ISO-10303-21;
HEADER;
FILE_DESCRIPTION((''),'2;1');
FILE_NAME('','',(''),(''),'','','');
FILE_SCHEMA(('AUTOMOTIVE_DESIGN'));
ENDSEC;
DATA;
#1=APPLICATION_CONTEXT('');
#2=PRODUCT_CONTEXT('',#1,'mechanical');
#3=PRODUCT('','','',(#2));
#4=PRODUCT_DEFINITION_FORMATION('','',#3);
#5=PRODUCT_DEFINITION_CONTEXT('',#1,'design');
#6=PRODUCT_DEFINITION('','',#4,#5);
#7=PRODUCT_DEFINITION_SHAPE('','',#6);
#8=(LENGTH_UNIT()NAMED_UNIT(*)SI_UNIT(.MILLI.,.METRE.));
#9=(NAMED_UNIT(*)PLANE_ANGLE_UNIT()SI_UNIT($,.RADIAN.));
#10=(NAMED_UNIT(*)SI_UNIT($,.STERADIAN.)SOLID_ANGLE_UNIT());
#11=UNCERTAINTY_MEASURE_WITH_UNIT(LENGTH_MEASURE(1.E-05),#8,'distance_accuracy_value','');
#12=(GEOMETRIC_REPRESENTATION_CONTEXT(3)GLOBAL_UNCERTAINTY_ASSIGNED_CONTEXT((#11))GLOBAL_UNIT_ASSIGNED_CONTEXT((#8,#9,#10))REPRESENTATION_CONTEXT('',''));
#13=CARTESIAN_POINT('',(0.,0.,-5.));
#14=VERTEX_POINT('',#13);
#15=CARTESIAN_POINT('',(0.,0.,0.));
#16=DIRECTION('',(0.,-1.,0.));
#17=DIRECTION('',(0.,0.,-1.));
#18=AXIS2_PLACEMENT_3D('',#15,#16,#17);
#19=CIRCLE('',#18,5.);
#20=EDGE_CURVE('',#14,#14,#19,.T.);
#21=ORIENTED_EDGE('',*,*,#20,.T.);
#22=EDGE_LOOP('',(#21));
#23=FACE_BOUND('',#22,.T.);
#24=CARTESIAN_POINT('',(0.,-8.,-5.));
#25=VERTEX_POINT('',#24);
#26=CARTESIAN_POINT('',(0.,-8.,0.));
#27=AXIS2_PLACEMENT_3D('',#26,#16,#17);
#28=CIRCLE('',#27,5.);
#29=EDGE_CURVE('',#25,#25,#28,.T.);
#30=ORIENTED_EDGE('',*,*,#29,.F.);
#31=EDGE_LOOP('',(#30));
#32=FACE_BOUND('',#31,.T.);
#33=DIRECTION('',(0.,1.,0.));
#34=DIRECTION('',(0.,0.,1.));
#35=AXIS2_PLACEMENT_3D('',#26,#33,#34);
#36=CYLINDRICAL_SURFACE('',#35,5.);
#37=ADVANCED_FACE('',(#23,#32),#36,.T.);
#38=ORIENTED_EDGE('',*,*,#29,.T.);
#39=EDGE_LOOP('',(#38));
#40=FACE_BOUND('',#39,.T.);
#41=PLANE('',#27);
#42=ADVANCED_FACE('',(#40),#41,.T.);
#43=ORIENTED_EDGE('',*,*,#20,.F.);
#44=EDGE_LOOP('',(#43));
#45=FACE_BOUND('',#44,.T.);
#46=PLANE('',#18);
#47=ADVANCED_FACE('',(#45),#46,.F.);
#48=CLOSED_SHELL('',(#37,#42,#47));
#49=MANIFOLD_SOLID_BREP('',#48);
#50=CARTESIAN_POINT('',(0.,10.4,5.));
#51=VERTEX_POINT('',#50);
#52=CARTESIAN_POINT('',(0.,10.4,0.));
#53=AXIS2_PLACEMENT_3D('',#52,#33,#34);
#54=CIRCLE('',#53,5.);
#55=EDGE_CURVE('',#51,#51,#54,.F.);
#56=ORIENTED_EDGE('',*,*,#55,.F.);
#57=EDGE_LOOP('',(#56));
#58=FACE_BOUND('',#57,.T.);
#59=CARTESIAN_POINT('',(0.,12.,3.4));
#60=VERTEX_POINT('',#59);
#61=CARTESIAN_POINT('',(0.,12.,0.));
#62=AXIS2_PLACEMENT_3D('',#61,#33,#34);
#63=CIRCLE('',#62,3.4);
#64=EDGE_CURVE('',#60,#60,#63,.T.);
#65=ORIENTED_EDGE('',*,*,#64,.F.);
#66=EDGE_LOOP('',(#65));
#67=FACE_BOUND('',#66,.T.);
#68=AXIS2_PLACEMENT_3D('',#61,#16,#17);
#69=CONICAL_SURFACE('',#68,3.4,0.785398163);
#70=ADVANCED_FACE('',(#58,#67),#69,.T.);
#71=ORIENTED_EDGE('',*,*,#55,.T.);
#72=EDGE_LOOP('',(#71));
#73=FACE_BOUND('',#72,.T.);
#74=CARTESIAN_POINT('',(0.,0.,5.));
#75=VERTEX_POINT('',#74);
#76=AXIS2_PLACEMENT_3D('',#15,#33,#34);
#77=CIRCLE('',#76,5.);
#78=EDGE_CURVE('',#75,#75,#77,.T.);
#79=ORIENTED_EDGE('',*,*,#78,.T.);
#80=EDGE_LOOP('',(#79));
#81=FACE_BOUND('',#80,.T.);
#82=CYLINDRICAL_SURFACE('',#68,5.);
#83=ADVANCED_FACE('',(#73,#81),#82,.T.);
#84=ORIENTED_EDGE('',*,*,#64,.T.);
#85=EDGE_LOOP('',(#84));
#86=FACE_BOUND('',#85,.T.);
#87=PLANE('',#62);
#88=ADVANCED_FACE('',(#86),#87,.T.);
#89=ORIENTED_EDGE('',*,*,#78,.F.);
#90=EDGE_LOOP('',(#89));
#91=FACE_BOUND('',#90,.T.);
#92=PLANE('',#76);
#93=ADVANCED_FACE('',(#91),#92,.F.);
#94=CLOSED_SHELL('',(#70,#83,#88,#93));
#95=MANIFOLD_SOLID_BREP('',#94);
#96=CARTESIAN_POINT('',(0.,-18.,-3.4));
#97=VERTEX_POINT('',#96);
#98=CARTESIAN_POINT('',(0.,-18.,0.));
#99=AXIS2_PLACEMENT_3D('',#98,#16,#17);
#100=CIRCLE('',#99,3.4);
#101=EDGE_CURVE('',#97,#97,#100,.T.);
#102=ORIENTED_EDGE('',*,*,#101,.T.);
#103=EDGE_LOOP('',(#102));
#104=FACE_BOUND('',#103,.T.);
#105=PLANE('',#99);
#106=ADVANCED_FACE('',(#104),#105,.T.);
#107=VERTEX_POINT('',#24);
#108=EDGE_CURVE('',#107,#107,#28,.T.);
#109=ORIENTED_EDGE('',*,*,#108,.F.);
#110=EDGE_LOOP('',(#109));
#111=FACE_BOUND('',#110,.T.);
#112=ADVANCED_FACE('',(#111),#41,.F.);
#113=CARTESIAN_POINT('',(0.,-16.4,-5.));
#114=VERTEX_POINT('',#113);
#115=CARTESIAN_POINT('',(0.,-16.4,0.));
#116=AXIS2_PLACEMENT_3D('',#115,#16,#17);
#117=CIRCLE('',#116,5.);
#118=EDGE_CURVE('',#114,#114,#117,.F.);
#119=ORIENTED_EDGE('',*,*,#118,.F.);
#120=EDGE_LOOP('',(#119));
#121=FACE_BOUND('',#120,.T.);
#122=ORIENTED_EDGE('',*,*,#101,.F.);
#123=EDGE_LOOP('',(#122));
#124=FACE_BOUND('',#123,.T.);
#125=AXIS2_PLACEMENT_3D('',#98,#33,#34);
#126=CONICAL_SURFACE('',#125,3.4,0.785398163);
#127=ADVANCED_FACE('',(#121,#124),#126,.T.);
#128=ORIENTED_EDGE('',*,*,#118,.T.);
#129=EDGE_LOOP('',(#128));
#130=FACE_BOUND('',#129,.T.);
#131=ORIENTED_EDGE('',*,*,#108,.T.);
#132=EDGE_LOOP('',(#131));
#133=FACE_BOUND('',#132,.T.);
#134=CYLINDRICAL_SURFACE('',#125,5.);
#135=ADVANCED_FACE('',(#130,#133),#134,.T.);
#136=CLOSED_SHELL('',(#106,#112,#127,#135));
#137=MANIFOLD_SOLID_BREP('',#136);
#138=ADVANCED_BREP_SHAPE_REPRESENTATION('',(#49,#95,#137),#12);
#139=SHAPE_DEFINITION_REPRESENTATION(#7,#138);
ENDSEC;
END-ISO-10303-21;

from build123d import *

# Parameters (mm, degrees)
SKETCH_1_R      = 5
EXTRUDE_1_DEPTH = 12
SKETCH_2_R      = 5
EXTRUDE_2_DEPTH = 8
EXTRUDE_START   = 10
SKETCH_3_R      = 5
EXTRUDE_3_DEPTH = 10
CHAMFER_2_SIZE  = 1.6
CHAMFER_3_SIZE  = 1.6


with BuildPart() as part:
    # Эскиз1 → Бобышка-Вытянуть1 (new body)
    with BuildSketch(Plane(origin=(0, 0, 0), x_dir=(1, 0, 0), z_dir=(0, 1, 0))):
        with Locations(Location((0, 0, 0), (0, 0, 270))):
            Circle(SKETCH_1_R)
    extrude(amount=EXTRUDE_1_DEPTH)

    # Фаска2
    chamfer_2_edges = [part.edges().sort_by_distance(p)[0] for p in [
        (0, 12, -5),
    ]]
    chamfer(chamfer_2_edges, length=CHAMFER_2_SIZE)


with BuildPart() as body_2:
    # Эскиз2 → Бобышка-Вытянуть2 (new body)
    with BuildSketch(Plane.XZ):
        with Locations(Location((0, 0, 0), (0, 0, 270))):
            Circle(SKETCH_2_R)
    extrude(amount=EXTRUDE_2_DEPTH)


with BuildPart() as body_3:
    # Эскиз3 → Бобышка-Вытянуть3 (new body)
    with BuildSketch(Plane.XZ.offset(8).offset(EXTRUDE_START)):
        with Locations(Location((0, 0, 0), (0, 0, 270))):
            Circle(SKETCH_3_R)
    extrude(amount=-EXTRUDE_3_DEPTH)

    # Фаска3
    chamfer_3_edges = [body_3.edges().sort_by_distance(p)[0] for p in [
        (0, -18, 5),
    ]]
    chamfer(chamfer_3_edges, length=CHAMFER_3_SIZE)


solid = Compound([part.part, body_2.part, body_3.part])
